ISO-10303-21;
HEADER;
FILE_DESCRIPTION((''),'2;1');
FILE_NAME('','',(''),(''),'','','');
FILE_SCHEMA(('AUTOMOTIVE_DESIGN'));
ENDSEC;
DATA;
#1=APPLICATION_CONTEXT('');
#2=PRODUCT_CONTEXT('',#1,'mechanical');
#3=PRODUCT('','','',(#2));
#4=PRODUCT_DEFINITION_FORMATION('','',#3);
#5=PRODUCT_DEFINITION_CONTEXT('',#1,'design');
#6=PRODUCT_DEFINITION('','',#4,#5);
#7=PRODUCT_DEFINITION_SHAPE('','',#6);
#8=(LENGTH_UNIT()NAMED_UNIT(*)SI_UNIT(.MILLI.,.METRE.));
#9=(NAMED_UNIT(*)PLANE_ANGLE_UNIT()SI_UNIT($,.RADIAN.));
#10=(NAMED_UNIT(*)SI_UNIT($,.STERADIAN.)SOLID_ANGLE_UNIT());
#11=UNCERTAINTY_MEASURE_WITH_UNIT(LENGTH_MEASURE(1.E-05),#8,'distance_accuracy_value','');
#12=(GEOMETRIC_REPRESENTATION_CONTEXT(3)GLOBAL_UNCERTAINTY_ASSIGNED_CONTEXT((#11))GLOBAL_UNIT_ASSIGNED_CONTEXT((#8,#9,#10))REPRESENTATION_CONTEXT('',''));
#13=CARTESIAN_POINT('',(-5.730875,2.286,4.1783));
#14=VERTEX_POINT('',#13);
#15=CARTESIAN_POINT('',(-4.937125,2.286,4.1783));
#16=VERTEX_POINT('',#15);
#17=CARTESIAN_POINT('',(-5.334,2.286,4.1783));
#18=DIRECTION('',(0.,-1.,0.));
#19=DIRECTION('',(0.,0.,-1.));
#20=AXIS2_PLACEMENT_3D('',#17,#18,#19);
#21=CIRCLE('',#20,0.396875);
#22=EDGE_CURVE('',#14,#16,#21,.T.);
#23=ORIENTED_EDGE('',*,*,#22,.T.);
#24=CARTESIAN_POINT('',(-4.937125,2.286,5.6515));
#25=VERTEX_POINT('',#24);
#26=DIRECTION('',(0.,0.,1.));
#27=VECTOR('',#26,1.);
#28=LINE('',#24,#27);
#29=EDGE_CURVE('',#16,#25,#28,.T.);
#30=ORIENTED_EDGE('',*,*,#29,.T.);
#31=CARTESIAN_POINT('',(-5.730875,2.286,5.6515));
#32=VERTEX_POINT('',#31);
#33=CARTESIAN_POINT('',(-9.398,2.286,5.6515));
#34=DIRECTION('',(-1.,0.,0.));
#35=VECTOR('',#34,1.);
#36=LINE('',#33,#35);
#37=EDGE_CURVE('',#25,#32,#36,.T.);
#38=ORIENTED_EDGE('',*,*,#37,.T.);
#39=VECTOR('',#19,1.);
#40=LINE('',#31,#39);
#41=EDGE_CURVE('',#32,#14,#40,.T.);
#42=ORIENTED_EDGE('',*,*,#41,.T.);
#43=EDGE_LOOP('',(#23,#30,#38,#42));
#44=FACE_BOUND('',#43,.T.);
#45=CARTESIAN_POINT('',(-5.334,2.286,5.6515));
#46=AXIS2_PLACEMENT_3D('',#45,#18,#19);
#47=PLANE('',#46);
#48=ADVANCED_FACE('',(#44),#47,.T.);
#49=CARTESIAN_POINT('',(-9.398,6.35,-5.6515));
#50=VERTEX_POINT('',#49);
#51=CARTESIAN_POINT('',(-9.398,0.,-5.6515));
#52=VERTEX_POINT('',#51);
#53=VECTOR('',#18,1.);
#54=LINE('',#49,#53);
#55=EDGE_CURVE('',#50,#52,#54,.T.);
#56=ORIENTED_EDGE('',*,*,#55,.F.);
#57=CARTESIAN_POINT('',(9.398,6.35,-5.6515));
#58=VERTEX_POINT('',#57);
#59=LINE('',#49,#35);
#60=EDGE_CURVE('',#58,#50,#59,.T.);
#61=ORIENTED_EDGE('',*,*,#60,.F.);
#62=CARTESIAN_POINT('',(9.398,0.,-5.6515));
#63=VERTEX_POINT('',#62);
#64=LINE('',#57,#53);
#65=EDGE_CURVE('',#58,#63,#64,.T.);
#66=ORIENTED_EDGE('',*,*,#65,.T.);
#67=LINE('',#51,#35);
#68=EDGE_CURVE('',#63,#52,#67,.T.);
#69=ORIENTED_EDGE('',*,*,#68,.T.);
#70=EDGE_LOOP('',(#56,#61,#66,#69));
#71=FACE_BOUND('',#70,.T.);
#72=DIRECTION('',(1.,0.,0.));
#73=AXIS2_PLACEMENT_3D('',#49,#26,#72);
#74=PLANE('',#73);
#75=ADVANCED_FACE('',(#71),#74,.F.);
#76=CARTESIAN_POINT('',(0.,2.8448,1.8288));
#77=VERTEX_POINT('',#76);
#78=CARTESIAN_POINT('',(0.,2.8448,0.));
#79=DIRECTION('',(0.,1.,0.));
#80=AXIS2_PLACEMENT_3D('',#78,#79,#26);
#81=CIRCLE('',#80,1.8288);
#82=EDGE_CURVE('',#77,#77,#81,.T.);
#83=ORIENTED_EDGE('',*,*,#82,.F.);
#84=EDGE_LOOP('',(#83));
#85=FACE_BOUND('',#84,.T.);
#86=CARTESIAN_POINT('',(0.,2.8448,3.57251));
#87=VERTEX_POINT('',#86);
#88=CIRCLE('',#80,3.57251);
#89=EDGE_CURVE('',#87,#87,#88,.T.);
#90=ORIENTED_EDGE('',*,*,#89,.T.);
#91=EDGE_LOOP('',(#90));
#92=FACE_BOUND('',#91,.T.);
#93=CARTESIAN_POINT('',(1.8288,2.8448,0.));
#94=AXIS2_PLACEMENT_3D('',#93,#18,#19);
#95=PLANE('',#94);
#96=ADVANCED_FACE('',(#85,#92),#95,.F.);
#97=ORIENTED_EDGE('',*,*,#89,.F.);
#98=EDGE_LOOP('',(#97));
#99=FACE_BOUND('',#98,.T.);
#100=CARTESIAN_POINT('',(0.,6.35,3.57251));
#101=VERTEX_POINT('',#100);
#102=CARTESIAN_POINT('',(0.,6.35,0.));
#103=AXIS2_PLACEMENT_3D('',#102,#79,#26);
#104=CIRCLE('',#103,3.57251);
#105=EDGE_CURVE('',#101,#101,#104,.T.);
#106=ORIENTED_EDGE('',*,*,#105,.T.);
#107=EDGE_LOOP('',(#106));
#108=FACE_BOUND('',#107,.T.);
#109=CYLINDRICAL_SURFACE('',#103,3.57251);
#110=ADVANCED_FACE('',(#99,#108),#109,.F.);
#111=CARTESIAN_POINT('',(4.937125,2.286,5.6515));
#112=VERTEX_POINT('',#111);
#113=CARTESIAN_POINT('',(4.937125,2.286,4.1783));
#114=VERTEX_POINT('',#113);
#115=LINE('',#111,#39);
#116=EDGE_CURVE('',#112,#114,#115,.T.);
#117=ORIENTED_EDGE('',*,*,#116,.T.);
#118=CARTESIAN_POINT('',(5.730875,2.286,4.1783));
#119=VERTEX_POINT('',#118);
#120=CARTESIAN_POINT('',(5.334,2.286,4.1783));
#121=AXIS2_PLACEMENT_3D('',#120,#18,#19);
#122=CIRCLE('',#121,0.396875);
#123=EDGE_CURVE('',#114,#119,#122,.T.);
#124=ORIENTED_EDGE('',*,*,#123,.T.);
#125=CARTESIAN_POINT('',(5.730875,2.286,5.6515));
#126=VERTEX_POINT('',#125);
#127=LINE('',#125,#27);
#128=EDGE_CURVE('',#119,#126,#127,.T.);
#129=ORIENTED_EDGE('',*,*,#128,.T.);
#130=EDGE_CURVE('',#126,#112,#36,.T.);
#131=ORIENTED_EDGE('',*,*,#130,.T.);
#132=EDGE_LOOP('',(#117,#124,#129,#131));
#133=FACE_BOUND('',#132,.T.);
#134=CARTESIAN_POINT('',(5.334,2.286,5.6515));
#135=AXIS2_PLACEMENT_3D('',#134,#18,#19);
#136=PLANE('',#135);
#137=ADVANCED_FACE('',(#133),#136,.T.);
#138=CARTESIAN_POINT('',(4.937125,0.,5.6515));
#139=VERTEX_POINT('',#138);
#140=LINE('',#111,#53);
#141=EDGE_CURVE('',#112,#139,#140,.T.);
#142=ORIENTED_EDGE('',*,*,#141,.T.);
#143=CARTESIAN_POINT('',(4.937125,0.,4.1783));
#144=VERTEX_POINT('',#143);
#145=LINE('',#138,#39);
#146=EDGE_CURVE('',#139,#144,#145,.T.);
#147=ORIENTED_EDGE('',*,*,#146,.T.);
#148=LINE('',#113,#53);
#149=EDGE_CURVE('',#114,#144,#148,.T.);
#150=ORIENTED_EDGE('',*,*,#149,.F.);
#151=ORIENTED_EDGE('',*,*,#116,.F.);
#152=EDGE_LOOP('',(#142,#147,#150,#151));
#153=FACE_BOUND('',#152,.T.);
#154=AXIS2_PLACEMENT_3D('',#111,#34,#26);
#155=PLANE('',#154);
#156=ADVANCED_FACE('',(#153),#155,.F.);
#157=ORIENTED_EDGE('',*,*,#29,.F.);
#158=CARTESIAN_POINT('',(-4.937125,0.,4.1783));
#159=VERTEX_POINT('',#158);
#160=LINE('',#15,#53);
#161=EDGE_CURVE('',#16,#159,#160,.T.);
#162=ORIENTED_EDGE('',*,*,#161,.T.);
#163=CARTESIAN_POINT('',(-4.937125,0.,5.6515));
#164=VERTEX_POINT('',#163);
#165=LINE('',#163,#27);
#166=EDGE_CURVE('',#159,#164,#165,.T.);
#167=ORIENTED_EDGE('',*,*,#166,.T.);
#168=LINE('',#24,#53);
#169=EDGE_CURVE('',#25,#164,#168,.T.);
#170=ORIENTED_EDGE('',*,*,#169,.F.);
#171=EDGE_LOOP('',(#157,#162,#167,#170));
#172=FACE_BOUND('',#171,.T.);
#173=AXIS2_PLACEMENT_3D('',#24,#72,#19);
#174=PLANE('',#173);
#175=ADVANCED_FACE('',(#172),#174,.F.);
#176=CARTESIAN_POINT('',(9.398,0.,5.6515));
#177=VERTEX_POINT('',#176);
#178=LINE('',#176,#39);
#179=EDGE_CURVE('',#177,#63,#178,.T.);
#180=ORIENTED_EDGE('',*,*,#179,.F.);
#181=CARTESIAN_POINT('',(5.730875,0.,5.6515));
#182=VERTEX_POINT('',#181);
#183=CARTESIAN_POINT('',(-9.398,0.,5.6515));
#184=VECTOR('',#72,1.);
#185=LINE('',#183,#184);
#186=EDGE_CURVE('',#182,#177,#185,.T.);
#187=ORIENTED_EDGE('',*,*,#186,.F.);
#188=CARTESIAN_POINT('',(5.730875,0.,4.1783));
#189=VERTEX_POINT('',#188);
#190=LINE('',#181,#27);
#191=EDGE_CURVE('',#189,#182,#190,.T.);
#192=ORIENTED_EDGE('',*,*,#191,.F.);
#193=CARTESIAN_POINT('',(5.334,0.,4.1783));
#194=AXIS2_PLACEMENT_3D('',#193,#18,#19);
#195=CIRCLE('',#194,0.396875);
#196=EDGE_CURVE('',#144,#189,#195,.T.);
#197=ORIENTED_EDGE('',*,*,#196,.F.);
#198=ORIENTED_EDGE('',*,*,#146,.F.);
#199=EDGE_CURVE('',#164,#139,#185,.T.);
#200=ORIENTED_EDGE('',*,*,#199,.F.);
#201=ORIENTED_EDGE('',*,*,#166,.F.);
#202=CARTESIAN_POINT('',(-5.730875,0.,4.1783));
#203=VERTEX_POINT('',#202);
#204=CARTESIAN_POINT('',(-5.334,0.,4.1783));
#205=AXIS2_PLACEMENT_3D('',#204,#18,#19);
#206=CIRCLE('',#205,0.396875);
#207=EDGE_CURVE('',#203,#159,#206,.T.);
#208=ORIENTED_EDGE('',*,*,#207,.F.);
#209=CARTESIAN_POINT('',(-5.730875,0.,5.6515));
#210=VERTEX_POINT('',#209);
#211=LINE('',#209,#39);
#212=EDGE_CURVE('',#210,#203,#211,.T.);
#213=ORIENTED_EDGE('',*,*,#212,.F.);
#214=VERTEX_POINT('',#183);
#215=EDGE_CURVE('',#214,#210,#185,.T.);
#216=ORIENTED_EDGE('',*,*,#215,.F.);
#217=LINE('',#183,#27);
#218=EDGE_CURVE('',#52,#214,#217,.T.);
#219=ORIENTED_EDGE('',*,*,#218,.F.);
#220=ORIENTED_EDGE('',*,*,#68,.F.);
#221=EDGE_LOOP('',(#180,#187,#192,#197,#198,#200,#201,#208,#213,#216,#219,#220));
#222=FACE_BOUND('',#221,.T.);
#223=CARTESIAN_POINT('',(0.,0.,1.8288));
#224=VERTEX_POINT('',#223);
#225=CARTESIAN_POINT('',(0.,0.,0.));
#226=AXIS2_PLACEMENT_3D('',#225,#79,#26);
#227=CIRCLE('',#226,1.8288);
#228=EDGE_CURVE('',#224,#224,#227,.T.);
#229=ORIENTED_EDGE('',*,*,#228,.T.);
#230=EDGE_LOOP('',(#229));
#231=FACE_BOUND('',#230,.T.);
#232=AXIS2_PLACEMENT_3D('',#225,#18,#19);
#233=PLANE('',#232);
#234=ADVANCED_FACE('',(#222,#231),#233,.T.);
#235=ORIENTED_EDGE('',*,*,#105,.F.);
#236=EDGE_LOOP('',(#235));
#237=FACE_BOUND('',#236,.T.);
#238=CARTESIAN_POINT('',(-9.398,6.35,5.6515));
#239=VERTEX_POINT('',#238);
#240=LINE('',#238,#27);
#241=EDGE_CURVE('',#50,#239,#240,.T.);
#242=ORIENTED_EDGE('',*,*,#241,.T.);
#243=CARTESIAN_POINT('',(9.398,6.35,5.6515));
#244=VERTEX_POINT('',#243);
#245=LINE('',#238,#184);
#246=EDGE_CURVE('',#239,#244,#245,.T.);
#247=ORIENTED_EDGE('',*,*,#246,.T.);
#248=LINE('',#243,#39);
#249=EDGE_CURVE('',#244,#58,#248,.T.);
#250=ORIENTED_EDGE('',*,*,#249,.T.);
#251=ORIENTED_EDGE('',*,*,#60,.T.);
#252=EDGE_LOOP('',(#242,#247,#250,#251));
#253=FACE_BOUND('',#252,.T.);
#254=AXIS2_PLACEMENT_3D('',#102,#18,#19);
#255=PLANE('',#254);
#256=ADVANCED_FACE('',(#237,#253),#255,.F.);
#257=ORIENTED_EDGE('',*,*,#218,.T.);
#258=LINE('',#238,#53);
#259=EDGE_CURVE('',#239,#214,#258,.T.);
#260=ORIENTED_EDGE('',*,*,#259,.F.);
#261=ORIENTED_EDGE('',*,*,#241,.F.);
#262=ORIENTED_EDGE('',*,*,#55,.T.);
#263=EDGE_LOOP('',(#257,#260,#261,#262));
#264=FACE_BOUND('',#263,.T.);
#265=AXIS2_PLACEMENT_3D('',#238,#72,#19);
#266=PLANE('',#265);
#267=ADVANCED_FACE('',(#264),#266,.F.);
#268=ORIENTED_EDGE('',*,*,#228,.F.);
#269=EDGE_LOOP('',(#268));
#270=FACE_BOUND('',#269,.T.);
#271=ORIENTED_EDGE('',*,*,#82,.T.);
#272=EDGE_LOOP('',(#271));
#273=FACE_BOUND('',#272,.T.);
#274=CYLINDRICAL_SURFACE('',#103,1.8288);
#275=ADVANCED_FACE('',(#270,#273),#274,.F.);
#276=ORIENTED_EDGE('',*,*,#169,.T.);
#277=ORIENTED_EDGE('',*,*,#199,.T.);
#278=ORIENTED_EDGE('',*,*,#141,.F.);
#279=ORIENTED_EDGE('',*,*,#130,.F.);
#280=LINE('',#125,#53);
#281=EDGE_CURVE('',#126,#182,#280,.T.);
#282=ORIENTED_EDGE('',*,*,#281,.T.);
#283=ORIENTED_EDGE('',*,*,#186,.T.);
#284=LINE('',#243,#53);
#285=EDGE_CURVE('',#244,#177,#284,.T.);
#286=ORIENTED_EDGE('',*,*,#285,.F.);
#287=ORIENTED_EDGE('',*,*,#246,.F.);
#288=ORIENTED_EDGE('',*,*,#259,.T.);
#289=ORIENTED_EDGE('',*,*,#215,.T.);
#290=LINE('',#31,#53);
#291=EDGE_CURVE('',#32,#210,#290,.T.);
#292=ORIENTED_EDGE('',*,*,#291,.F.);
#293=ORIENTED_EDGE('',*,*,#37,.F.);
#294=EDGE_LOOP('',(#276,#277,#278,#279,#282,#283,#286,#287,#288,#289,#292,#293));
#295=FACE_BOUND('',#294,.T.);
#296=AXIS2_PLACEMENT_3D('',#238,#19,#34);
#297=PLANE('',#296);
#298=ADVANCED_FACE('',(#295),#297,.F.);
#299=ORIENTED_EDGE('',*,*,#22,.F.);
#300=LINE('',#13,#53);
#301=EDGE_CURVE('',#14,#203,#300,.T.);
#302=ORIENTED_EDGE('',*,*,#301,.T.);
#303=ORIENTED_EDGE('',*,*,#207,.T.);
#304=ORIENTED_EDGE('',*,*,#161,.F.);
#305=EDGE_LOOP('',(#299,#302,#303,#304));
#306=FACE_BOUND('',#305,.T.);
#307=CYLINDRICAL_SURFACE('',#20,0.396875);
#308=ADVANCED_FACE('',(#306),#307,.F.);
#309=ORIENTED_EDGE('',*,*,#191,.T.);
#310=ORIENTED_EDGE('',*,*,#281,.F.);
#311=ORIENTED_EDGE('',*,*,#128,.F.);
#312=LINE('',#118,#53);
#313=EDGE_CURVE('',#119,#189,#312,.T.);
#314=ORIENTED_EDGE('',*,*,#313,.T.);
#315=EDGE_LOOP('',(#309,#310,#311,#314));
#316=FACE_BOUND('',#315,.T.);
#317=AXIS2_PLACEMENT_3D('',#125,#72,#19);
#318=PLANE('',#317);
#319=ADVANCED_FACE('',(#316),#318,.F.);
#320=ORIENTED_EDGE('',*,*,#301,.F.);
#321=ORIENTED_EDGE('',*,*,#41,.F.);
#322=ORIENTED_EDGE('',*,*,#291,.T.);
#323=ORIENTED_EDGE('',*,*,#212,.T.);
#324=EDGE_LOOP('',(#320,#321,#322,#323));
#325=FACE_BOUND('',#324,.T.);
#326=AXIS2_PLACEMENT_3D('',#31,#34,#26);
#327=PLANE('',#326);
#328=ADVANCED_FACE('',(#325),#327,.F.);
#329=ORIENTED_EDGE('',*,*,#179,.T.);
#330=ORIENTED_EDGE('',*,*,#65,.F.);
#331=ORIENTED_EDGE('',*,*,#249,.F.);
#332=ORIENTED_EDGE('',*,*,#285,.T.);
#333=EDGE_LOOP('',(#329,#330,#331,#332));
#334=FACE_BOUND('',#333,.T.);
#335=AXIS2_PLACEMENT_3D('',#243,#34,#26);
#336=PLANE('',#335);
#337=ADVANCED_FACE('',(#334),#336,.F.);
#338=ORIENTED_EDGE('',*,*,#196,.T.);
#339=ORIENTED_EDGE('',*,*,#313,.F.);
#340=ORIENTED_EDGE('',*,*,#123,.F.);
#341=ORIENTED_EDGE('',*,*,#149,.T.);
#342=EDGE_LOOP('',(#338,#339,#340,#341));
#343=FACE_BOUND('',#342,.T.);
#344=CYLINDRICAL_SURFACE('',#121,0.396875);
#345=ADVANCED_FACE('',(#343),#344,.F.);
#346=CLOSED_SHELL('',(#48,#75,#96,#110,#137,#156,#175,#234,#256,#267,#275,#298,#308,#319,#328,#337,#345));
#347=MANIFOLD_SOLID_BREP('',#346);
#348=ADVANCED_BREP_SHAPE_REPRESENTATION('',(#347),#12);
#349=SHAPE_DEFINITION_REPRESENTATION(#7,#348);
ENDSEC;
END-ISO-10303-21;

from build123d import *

# Parameters (mm, degrees)
SKETCH1_W               = 18.796
SKETCH1_H               = 11.303
BASE_DEPTH              = 6.35
BOXSLOTS_DEPTH          = 2.286
MOUTINGHOLE_D           = 3.6576
MOUTINGHOLE_CBORE_D     = 7.14502
MOUTINGHOLE_CBORE_DEPTH = 3.5052


with BuildPart() as part:
    # Sketch1 → Base (new body)
    with BuildSketch(Plane(origin=(0, 0, 0), x_dir=(1, 0, 0), z_dir=(0, 1, 0))):
        Rectangle(SKETCH1_W, SKETCH1_H)
    extrude(amount=BASE_DEPTH)

    # Sketch2 → BoxSlots (cut)
    with BuildSketch(Plane.XZ):
        with BuildLine():
            Line((-4.937125, 5.6515), (-4.937125, 4.1783))
            ThreePointArc((-4.937125, 4.1783), (-5.334, 3.781425), (-5.730875, 4.1783))
            Line((-5.730875, 4.1783), (-5.730875, 5.6515))
            ThreePointArc((-5.730875, 5.6515), (-5.334, 6.048375), (-4.937125, 5.6515))
        make_face()
        with BuildLine():
            Line((5.730875, 5.6515), (5.730875, 4.1783))
            ThreePointArc((5.730875, 4.1783), (5.334, 3.781425), (4.937125, 4.1783))
            Line((4.937125, 4.1783), (4.937125, 5.6515))
            ThreePointArc((4.937125, 5.6515), (5.334, 6.048375), (5.730875, 5.6515))
        make_face()
    extrude(amount=-BOXSLOTS_DEPTH, mode=Mode.SUBTRACT)

    # MoutingHole (through all)
    with Locations(Plane(origin=(0, 6.35, 0), x_dir=(1, 0, 0), z_dir=(0, 1, 0))):
        with Locations((0, 0)):
            CounterBoreHole(MOUTINGHOLE_D / 2, MOUTINGHOLE_CBORE_D / 2, MOUTINGHOLE_CBORE_DEPTH)


solid = part.part
